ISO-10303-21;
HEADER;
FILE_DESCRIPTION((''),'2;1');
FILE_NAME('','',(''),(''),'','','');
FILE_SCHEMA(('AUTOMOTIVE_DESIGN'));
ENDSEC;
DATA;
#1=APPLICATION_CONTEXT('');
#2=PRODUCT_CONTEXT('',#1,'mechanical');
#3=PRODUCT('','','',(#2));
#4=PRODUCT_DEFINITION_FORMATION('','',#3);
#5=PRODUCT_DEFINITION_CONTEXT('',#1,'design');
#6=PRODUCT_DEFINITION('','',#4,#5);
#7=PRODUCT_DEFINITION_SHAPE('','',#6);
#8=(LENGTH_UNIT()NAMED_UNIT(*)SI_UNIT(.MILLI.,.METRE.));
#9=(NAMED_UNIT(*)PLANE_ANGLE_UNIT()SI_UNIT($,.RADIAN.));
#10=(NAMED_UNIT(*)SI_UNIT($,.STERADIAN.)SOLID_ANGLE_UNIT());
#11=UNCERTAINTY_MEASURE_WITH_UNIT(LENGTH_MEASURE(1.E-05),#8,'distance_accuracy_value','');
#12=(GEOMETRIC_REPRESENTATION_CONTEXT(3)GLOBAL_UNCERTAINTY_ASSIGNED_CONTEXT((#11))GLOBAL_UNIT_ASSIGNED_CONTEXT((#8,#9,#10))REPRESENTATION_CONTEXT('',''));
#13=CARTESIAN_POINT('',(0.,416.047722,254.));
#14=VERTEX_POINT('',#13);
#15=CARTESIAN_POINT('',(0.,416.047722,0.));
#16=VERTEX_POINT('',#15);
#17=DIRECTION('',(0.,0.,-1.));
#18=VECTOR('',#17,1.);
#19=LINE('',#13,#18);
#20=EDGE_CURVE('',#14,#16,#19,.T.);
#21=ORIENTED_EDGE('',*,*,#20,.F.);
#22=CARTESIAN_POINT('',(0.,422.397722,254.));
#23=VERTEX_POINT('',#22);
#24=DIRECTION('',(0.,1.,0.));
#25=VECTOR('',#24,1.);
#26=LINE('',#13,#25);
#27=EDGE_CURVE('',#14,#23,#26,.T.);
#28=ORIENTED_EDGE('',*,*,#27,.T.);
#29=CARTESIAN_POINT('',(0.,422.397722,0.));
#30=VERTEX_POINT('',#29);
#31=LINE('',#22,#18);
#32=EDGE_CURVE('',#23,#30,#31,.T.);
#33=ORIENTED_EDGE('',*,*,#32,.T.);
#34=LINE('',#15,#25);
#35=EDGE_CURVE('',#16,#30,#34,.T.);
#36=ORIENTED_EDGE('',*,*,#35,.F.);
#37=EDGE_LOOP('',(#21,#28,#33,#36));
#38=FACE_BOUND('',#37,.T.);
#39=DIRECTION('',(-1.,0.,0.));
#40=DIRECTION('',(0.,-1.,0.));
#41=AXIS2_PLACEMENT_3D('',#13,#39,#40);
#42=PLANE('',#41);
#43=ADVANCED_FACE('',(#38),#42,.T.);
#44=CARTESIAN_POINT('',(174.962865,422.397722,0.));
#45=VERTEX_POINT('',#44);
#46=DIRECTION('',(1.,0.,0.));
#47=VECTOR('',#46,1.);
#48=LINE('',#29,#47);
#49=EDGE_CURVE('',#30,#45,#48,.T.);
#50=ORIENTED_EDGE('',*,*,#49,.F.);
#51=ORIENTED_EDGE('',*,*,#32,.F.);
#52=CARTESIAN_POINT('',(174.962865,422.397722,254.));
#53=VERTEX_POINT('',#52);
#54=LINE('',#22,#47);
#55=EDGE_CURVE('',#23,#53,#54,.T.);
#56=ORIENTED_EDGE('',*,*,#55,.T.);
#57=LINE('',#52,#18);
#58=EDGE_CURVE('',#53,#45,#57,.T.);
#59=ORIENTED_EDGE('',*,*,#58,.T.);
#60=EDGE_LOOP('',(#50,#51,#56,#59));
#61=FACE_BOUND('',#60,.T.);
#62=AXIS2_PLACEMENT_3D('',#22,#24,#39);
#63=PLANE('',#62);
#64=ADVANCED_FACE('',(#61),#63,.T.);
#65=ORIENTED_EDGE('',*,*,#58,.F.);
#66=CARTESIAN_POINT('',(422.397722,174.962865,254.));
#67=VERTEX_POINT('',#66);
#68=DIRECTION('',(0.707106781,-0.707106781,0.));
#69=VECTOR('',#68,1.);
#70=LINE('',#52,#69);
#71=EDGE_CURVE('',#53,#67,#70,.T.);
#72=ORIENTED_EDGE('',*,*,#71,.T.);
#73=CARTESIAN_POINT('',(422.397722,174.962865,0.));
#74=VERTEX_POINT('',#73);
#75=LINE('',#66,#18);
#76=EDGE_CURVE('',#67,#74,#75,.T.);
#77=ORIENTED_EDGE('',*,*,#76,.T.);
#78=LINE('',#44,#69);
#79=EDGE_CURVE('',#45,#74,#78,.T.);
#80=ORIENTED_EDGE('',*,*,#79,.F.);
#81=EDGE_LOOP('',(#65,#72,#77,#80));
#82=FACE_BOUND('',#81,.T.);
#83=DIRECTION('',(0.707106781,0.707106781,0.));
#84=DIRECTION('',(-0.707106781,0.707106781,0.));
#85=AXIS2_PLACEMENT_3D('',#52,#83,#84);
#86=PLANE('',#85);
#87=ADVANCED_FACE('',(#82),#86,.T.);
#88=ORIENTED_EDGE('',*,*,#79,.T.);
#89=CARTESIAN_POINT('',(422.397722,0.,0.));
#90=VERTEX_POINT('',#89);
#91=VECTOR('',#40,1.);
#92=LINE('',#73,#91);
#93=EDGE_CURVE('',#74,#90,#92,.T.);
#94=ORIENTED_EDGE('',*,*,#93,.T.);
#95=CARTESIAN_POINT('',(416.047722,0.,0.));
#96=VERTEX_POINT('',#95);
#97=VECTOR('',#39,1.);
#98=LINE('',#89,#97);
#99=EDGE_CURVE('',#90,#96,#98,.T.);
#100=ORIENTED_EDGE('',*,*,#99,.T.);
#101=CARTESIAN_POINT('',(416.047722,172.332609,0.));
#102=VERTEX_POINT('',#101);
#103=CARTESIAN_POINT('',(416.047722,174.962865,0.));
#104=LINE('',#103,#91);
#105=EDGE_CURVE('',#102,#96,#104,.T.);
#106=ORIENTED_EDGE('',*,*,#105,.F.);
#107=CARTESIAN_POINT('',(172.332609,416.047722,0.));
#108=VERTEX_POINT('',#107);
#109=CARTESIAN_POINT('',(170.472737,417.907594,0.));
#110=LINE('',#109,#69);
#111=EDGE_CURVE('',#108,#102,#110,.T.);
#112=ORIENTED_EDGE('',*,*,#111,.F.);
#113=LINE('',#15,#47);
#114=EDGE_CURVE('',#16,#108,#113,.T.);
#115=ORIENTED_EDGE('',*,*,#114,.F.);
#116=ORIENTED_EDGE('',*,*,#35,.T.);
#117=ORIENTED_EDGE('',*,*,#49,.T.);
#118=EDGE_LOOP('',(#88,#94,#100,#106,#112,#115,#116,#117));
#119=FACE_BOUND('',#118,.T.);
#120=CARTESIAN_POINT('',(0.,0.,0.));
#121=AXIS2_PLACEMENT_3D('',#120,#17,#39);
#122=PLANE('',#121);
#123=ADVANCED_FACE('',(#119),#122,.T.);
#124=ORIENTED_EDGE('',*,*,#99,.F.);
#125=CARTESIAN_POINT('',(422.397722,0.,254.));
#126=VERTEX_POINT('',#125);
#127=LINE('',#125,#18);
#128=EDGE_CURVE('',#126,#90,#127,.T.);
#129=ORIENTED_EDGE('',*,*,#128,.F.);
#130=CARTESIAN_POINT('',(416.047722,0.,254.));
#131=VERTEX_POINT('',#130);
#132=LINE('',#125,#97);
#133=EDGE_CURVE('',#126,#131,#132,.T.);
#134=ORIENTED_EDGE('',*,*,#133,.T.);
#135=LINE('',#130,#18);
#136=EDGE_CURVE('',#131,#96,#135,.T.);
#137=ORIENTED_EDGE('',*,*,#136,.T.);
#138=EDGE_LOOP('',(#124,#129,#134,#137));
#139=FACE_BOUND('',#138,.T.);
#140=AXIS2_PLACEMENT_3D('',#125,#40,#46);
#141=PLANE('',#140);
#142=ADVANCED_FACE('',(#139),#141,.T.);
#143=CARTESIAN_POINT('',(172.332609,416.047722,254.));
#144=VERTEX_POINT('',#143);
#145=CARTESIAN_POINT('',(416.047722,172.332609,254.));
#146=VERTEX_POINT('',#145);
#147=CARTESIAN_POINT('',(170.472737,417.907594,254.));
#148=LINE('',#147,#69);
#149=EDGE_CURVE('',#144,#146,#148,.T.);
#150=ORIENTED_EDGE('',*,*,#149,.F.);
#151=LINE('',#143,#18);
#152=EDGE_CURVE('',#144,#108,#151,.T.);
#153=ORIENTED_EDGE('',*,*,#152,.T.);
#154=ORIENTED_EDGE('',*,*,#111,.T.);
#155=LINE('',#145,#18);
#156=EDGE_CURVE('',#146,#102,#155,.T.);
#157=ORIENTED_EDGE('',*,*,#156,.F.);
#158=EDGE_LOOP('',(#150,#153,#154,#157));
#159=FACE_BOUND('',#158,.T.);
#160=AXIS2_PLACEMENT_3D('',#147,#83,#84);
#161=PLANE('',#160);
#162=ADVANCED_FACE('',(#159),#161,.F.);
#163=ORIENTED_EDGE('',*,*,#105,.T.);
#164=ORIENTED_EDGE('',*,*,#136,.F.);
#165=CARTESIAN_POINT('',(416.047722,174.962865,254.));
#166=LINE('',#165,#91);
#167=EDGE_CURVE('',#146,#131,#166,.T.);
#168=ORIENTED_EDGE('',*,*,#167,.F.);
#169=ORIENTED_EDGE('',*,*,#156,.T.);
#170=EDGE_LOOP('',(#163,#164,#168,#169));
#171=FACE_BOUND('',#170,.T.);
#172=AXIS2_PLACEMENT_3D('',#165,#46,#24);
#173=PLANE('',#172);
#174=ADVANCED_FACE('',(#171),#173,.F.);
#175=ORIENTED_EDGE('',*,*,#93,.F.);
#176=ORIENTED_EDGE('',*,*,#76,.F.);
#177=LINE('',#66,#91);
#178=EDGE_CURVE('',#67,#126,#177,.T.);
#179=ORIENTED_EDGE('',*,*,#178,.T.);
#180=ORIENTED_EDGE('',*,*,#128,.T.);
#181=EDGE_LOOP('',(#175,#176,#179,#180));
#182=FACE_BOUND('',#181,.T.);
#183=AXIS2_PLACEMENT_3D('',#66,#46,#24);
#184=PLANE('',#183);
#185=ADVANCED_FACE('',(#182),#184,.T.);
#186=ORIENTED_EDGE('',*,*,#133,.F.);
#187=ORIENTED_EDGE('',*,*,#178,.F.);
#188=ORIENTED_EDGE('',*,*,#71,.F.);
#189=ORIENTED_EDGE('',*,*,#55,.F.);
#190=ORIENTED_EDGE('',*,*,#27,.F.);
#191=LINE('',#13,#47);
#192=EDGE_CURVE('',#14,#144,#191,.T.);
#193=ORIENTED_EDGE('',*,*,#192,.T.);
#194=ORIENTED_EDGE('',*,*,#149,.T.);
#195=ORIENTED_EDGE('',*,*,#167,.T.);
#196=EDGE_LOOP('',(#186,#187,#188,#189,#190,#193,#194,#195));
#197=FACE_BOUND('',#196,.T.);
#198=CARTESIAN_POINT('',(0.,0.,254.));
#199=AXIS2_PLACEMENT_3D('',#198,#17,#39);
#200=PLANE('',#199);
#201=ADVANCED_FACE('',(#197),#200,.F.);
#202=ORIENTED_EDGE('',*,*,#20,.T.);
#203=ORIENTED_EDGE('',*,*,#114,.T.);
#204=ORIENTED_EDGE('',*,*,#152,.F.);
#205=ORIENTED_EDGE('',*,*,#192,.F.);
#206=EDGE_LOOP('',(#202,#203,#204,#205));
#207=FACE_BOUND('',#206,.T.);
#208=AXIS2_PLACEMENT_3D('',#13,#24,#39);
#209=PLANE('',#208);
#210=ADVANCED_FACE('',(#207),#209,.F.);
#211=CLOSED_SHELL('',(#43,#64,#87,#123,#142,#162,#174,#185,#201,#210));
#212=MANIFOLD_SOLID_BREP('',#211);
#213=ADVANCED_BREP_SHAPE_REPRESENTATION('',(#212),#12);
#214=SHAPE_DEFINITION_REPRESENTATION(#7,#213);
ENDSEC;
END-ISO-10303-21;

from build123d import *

# Parameters (mm, degrees)
EXTRUDE_THIN1_DEPTH = 254


with BuildPart() as part:
    # Sketch1 → Extrude-Thin1 (new body)
    with BuildSketch(Plane.XY):
        Polygon((0, 422.397722264), (174.962865277, 422.397722264), (422.397722264, 174.962865277), (422.397722264, 0), (416.047722264, 0), (416.047722264, 172.332609156), (172.332609156, 416.047722264), (0, 416.047722264), align=None)
    extrude(amount=EXTRUDE_THIN1_DEPTH)


solid = part.part
